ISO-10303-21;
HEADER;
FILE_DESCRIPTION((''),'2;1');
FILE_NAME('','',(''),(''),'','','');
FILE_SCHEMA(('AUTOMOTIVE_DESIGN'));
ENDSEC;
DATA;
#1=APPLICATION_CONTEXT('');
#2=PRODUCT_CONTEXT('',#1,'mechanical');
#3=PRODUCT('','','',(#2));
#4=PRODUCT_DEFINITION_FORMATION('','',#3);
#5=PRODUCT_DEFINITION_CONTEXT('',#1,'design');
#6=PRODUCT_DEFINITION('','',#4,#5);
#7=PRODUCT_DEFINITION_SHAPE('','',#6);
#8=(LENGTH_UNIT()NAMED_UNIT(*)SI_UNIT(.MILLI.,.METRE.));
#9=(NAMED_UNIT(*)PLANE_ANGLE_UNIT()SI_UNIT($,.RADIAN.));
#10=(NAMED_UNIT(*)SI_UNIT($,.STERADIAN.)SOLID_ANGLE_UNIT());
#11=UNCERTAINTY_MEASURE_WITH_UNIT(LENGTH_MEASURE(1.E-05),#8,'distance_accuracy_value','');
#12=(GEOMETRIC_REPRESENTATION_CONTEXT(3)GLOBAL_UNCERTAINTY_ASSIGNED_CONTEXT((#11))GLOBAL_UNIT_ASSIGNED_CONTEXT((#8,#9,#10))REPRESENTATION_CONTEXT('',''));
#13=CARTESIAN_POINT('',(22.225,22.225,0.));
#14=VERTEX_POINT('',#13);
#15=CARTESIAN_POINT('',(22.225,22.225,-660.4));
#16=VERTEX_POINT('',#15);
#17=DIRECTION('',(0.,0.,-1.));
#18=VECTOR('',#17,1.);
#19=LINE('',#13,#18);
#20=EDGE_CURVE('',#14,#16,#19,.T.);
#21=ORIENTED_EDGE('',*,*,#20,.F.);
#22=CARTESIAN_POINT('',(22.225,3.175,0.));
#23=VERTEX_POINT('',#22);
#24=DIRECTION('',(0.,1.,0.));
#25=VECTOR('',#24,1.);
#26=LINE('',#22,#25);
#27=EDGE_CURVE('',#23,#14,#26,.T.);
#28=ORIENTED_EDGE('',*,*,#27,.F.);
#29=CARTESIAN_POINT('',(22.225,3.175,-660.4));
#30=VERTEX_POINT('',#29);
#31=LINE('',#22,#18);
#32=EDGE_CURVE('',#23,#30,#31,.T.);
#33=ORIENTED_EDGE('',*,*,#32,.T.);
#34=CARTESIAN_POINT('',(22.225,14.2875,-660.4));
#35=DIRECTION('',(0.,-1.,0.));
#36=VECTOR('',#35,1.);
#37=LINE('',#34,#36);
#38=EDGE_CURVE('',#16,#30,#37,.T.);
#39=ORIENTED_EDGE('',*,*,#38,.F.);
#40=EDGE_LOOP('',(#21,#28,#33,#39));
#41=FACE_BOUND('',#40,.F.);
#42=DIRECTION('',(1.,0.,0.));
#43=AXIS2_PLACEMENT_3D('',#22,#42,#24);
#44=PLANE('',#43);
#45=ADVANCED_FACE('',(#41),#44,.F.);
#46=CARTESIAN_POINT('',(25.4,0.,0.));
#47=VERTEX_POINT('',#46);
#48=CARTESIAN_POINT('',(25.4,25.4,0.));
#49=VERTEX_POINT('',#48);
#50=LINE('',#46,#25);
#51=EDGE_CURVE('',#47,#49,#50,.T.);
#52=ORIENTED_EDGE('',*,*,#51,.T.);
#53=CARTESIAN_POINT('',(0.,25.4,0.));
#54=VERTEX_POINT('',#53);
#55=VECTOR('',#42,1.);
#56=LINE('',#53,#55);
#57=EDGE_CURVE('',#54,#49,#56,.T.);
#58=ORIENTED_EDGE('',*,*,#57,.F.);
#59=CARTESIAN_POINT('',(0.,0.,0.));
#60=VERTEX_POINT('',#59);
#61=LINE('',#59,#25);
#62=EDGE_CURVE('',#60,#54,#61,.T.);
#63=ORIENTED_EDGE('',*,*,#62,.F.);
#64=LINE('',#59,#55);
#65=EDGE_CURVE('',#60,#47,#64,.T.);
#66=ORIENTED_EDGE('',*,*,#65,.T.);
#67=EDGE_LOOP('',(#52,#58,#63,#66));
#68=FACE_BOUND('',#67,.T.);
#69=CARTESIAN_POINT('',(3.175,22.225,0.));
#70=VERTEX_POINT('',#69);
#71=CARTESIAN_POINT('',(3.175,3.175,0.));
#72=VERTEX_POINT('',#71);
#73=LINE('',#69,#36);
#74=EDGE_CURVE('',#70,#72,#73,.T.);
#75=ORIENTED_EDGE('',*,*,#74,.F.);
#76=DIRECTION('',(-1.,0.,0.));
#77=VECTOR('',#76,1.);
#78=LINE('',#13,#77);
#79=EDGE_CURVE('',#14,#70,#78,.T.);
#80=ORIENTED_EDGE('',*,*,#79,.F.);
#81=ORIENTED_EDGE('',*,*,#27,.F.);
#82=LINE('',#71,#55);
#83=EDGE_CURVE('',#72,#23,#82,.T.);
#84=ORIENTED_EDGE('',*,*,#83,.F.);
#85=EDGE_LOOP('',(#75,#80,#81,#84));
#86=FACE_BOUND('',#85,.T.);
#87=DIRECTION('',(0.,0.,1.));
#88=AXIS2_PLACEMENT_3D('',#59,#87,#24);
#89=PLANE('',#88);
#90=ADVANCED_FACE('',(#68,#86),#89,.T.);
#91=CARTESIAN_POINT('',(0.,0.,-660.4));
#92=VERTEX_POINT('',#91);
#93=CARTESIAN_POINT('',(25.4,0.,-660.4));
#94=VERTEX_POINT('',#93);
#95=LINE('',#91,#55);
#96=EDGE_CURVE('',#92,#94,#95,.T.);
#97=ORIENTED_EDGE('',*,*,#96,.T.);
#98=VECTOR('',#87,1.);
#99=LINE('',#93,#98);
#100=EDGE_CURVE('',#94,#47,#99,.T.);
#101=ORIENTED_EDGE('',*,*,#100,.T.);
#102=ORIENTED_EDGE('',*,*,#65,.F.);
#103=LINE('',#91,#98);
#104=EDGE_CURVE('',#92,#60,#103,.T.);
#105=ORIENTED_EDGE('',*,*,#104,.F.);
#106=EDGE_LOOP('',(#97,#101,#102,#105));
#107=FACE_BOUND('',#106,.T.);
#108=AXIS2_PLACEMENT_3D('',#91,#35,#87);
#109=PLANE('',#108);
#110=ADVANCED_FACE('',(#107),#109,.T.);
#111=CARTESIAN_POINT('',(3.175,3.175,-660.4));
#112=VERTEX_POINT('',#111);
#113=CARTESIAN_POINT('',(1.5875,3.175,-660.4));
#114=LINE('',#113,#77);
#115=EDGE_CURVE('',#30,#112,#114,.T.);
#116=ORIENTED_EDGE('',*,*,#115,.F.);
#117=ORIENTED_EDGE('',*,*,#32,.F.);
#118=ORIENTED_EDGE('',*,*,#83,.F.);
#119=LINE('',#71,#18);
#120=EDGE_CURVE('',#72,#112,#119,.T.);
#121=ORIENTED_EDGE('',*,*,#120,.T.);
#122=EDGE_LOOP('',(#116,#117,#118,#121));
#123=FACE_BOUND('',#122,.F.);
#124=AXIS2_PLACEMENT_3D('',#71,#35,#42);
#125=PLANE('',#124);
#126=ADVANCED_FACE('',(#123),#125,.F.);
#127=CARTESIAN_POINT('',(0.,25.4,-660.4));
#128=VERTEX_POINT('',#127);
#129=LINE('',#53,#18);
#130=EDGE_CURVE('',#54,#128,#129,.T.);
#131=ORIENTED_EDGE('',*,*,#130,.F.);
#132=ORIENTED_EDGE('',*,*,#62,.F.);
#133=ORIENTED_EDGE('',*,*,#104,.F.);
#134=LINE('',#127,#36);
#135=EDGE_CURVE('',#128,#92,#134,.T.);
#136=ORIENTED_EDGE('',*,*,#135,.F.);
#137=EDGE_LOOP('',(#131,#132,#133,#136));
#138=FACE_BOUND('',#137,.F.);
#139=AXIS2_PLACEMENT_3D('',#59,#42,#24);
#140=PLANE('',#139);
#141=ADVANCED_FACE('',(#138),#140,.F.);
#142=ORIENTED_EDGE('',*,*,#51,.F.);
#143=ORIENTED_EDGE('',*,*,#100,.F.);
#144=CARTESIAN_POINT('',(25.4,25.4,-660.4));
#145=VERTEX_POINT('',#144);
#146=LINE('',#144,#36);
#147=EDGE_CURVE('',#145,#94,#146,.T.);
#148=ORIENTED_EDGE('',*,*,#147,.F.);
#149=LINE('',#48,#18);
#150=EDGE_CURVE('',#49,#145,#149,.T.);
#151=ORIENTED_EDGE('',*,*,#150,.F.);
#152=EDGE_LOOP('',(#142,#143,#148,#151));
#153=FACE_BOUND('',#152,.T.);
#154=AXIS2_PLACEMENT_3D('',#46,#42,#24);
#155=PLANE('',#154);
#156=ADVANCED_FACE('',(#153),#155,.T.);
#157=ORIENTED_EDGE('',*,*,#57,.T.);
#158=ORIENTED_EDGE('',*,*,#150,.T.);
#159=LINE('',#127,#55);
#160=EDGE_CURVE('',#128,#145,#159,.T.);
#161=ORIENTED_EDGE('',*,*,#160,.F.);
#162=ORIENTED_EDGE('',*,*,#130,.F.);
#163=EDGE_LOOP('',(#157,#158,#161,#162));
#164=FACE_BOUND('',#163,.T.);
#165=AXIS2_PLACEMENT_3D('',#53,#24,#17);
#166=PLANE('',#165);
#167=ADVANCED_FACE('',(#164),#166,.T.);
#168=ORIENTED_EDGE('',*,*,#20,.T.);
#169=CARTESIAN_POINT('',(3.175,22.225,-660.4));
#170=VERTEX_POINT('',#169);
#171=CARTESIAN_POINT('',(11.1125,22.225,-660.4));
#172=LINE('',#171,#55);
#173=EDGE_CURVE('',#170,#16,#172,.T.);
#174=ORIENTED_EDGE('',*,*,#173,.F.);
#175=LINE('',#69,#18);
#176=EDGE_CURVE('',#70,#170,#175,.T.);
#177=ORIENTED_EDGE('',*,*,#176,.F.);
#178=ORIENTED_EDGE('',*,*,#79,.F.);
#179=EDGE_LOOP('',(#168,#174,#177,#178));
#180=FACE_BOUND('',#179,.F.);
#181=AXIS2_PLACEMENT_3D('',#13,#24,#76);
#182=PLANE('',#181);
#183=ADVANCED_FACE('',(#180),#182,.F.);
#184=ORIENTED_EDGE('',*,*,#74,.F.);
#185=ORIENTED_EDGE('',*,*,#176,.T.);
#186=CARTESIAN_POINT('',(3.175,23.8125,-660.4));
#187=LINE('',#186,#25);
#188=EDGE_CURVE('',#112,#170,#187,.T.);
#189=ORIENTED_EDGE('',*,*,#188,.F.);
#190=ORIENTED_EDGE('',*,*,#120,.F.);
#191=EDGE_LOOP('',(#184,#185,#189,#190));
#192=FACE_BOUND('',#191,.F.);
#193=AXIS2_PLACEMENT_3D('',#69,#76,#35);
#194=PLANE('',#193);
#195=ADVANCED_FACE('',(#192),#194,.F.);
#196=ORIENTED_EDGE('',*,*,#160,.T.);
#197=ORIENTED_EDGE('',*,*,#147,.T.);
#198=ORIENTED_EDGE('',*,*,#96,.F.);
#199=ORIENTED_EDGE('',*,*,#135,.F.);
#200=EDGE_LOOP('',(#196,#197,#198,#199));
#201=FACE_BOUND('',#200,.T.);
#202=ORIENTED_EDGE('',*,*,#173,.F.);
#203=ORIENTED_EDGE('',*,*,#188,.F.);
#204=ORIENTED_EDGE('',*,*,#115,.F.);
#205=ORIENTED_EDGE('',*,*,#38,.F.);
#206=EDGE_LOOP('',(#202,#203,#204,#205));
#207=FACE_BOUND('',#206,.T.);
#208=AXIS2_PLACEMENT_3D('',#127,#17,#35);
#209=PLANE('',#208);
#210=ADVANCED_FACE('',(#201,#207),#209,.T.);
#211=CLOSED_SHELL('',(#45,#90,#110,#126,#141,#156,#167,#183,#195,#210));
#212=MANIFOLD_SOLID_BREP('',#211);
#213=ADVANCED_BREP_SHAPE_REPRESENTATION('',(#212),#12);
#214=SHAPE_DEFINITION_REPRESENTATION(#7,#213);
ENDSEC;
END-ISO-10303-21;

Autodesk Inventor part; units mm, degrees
ref_plane "YZ Plane" through (0, 0, 0) normal (1, 0, 0) x (0, 1, 0)
ref_plane "XZ Plane" through (0, 0, 0) normal (0, 1, 0) x (-1, 0, 0)
ref_plane "XY Plane" through (0, 0, 0) normal (0, 0, 1) x (1, 0, 0)
sketch "Sketch1" plane through (0, 0, 0) normal (1, 0, 0) x (0, 1, 0)
  line L0 (0, 0) -> (25.4, 0)
  line L1 (25.4, 0) -> (25.4, -660.4)
  line L2 (25.4, -660.4) -> (0, -660.4)
  line L3 (0, -660.4) -> (0, 0)
  dimension "d0" = 25.4
  dimension "d1" = 660.4
extrude "Extrusion1" add sketch "Sketch1" along normal blind 25.4
sketch "Sketch2" plane through (0, 0, 0) normal (0, 0, 1) x (1, 0, 0)
  line L0 (3.175, 3.175) -> (22.225, 3.175)
  line L1 (22.225, 3.175) -> (22.225, 22.225)
  line L2 (22.225, 22.225) -> (3.175, 22.225)
  line L3 (3.175, 22.225) -> (3.175, 3.175)
  line L4 (0, 25.4) -> (25.4, 25.4) projected
  line L5 (0, 0) -> (0, 25.4) projected
  dimension "d4" = 3.175
  dimension "d5" = 3.175
  dimension "d6" = 19.05
  dimension "d7" = 19.05
extrude "Extrusion2" cut sketch "Sketch2" against normal blind 681.0375
properties part number "1by1by26" material "Aluminum 6061"
